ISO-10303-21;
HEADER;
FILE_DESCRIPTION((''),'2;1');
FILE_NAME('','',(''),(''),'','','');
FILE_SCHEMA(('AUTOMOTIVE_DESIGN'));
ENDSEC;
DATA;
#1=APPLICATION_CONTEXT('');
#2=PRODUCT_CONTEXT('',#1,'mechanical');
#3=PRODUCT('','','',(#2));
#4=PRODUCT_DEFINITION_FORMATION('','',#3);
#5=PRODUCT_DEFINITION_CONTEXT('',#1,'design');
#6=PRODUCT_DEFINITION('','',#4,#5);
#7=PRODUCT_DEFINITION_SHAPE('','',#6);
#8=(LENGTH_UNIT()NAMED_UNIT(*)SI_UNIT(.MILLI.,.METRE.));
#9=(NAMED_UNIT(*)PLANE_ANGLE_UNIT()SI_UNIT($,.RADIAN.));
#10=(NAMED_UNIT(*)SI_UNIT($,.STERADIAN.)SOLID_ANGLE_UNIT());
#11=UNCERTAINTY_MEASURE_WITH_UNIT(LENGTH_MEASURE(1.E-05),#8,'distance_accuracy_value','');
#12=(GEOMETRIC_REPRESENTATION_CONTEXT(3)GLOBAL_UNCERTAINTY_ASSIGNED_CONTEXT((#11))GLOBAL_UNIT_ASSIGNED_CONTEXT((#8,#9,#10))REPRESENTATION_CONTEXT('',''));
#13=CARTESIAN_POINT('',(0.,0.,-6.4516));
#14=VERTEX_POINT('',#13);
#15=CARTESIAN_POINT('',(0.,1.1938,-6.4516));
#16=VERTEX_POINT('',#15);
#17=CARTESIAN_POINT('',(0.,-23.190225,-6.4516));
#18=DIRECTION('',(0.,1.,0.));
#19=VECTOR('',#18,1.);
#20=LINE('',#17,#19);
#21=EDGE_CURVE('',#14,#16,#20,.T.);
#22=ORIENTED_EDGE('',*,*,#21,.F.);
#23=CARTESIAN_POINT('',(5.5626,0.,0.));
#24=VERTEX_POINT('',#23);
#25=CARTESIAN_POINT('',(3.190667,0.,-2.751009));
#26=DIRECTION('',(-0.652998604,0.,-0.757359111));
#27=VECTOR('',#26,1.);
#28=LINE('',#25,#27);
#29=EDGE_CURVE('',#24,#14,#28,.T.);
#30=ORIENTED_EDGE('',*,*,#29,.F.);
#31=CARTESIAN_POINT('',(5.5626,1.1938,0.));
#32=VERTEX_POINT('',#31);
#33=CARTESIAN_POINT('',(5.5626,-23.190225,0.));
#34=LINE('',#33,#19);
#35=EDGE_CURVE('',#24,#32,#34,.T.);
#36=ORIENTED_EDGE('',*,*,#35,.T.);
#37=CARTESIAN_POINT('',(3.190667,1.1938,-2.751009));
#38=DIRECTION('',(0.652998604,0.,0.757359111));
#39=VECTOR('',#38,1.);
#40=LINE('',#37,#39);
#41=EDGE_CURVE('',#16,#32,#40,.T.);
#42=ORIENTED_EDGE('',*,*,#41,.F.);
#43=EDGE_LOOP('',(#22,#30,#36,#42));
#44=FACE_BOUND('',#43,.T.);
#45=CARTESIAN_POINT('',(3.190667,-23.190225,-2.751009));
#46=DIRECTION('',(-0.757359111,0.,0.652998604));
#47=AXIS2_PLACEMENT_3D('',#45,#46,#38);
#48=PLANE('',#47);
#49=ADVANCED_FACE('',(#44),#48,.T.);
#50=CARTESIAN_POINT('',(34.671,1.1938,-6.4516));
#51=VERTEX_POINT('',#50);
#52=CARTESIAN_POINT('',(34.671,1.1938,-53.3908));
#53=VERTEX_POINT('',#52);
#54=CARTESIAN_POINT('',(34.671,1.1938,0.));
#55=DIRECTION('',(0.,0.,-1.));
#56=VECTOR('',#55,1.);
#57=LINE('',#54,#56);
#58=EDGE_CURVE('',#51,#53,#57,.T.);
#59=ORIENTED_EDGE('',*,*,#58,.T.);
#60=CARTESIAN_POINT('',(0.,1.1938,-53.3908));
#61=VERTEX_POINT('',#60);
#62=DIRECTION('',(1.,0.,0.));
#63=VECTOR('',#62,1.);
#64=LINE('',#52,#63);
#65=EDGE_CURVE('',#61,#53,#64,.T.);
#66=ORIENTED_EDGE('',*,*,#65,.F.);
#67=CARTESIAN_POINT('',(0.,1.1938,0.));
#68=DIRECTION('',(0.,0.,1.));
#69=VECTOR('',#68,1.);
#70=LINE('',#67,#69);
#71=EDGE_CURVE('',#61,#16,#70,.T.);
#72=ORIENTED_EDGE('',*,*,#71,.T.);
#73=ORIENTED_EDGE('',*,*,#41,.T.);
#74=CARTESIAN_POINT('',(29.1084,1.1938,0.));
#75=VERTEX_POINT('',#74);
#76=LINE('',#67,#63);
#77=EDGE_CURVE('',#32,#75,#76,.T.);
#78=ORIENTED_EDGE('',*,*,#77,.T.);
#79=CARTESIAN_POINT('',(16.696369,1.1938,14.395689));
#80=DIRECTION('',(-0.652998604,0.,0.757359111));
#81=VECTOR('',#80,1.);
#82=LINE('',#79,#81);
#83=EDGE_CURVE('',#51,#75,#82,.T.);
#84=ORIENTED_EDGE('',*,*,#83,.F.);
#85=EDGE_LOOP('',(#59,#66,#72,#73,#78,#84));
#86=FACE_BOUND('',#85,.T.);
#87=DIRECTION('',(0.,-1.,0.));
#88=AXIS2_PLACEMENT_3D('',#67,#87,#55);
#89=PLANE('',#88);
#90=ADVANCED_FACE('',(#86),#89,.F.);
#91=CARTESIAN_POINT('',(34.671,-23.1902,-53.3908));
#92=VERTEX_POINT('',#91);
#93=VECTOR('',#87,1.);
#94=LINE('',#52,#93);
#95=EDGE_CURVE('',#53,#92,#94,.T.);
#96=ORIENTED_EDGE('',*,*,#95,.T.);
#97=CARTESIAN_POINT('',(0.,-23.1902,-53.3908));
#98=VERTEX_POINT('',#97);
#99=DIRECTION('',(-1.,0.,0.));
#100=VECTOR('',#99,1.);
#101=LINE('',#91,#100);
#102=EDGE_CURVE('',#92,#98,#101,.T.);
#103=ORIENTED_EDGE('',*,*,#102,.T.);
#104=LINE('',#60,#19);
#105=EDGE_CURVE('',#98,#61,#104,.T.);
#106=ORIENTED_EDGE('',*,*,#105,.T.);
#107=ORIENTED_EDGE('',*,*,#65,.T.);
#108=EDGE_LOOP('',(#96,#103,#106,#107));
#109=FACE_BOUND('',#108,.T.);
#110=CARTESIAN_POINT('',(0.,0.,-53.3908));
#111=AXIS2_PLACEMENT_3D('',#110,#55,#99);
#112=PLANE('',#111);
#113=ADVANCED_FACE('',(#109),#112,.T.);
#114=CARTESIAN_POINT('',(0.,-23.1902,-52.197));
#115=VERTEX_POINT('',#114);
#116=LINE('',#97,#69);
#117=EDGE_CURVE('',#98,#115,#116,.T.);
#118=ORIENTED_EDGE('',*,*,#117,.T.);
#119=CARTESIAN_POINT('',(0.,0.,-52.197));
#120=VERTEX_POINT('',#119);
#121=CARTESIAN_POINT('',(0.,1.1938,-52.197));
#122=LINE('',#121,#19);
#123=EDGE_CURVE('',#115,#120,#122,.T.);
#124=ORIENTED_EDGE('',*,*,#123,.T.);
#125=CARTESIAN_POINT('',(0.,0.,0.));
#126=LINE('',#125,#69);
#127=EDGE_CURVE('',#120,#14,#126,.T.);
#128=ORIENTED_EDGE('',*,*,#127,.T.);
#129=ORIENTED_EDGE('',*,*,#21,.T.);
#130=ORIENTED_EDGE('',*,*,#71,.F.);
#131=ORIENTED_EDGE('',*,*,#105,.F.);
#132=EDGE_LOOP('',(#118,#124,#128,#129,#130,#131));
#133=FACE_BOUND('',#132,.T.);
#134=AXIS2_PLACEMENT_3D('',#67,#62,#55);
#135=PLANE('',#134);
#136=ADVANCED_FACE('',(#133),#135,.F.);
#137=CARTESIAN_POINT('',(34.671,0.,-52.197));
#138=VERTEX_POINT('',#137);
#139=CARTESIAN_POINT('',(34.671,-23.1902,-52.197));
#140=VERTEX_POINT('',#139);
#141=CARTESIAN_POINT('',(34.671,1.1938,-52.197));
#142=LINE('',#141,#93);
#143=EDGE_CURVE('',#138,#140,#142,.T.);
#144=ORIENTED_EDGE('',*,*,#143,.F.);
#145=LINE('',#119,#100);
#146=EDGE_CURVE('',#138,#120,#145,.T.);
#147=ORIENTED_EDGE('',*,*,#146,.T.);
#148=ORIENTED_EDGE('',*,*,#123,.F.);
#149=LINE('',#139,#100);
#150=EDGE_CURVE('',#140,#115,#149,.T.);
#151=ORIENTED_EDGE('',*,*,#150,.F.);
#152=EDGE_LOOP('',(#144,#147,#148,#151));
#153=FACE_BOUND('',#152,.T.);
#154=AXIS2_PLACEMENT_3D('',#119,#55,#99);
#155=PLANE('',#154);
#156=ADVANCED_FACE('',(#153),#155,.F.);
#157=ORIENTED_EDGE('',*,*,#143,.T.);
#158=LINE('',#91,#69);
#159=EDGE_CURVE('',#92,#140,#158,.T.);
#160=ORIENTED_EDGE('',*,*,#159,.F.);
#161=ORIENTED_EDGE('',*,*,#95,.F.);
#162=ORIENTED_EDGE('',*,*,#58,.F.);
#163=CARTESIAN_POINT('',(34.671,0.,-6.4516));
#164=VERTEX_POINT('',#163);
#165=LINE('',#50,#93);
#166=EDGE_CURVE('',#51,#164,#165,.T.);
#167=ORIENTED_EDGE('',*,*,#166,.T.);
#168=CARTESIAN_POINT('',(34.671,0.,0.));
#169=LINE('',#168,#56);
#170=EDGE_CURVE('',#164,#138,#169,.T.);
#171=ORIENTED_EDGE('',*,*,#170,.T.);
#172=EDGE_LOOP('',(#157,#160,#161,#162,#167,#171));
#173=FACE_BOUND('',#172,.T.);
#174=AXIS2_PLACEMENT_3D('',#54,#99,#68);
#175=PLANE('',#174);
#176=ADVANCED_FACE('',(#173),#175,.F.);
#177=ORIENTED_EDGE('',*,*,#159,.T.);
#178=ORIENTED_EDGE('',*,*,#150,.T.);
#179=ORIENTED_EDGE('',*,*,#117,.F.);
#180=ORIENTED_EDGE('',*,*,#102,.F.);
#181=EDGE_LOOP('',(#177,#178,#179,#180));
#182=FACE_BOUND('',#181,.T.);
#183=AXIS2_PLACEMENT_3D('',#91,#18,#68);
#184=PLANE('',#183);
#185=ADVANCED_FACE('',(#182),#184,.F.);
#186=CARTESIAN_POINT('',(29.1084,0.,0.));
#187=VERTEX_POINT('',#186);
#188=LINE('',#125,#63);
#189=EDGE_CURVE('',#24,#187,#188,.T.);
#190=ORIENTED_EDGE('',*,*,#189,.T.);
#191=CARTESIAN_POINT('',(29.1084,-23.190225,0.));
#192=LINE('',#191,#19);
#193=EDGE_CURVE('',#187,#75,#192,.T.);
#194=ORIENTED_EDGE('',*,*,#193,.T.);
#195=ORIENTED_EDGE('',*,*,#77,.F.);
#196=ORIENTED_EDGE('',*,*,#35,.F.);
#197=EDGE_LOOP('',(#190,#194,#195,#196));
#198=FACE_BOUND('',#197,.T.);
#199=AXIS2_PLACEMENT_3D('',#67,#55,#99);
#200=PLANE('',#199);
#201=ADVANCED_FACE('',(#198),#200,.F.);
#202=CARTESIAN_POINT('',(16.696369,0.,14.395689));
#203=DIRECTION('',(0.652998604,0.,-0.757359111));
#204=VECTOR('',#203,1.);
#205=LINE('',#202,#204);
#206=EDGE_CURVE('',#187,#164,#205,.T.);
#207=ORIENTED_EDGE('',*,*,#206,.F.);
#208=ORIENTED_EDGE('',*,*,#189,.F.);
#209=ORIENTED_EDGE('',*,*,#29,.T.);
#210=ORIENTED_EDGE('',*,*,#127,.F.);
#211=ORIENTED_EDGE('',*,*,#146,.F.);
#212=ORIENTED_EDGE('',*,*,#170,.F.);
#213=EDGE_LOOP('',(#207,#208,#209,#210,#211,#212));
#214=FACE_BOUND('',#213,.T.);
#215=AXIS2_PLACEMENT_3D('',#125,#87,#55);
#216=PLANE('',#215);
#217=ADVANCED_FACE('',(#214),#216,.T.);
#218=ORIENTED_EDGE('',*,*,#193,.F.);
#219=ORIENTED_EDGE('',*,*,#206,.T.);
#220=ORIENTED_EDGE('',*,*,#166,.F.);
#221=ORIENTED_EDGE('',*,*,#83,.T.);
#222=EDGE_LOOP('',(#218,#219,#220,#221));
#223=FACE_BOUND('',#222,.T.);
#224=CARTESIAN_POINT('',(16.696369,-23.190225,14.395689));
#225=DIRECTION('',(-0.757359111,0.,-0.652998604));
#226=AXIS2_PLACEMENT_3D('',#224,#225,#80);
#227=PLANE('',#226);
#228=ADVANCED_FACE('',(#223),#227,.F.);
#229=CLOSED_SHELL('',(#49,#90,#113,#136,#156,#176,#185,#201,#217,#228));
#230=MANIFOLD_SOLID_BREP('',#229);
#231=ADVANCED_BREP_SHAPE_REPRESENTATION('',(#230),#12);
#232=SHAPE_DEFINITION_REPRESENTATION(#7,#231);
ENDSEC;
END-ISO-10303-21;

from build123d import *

# Parameters (mm, degrees)
SKETCH1_W               = 34.671
SKETCH1_H               = 52.197
BOSS_EXTRUDE1_DEPTH     = 1.1938
SKETCH3_W               = 34.671
SKETCH3_H               = 24.384
BOSS_EXTRUDE2_DEPTH     = 1.1938
CUT_EXTRUDE1_DEPTH      = 68.752794346
CUT_EXTRUDE1_DEPTH_BACK = 68.752794346


with BuildPart() as part:
    # Sketch1 → Boss-Extrude1 (new body)
    with BuildSketch(Plane(origin=(0, 0, 0), x_dir=(1, 0, 0), z_dir=(0, 1, 0))):
        with Locations((17.3355, 26.0985)):
            Rectangle(SKETCH1_W, SKETCH1_H)
    extrude(amount=BOSS_EXTRUDE1_DEPTH)

    # Sketch3 → Boss-Extrude2 (add)
    with BuildSketch(Plane(origin=(0, 0, -52.197), x_dir=(-1, 0, 0), z_dir=(0, 0, -1))):
        with Locations((-17.3355, -10.9982)):
            Rectangle(SKETCH3_W, SKETCH3_H)
    extrude(amount=BOSS_EXTRUDE2_DEPTH)

    # Sketch4 → Cut-Extrude1 (cut, two sides: drawn at the far end of the back side and taken through both)
    with BuildSketch(Plane(origin=(0, 0, 0), x_dir=(-1, 0, 0), z_dir=(0, -1, 0)).offset(-CUT_EXTRUDE1_DEPTH_BACK)):
        Polygon((0, 6.4516), (-5.5626, 0), (0, 0), align=None)
        Polygon((-29.1084, 0), (-34.671, 6.4516), (-34.671, 0), align=None)
    extrude(amount=CUT_EXTRUDE1_DEPTH + CUT_EXTRUDE1_DEPTH_BACK, mode=Mode.SUBTRACT)


solid = part.part
